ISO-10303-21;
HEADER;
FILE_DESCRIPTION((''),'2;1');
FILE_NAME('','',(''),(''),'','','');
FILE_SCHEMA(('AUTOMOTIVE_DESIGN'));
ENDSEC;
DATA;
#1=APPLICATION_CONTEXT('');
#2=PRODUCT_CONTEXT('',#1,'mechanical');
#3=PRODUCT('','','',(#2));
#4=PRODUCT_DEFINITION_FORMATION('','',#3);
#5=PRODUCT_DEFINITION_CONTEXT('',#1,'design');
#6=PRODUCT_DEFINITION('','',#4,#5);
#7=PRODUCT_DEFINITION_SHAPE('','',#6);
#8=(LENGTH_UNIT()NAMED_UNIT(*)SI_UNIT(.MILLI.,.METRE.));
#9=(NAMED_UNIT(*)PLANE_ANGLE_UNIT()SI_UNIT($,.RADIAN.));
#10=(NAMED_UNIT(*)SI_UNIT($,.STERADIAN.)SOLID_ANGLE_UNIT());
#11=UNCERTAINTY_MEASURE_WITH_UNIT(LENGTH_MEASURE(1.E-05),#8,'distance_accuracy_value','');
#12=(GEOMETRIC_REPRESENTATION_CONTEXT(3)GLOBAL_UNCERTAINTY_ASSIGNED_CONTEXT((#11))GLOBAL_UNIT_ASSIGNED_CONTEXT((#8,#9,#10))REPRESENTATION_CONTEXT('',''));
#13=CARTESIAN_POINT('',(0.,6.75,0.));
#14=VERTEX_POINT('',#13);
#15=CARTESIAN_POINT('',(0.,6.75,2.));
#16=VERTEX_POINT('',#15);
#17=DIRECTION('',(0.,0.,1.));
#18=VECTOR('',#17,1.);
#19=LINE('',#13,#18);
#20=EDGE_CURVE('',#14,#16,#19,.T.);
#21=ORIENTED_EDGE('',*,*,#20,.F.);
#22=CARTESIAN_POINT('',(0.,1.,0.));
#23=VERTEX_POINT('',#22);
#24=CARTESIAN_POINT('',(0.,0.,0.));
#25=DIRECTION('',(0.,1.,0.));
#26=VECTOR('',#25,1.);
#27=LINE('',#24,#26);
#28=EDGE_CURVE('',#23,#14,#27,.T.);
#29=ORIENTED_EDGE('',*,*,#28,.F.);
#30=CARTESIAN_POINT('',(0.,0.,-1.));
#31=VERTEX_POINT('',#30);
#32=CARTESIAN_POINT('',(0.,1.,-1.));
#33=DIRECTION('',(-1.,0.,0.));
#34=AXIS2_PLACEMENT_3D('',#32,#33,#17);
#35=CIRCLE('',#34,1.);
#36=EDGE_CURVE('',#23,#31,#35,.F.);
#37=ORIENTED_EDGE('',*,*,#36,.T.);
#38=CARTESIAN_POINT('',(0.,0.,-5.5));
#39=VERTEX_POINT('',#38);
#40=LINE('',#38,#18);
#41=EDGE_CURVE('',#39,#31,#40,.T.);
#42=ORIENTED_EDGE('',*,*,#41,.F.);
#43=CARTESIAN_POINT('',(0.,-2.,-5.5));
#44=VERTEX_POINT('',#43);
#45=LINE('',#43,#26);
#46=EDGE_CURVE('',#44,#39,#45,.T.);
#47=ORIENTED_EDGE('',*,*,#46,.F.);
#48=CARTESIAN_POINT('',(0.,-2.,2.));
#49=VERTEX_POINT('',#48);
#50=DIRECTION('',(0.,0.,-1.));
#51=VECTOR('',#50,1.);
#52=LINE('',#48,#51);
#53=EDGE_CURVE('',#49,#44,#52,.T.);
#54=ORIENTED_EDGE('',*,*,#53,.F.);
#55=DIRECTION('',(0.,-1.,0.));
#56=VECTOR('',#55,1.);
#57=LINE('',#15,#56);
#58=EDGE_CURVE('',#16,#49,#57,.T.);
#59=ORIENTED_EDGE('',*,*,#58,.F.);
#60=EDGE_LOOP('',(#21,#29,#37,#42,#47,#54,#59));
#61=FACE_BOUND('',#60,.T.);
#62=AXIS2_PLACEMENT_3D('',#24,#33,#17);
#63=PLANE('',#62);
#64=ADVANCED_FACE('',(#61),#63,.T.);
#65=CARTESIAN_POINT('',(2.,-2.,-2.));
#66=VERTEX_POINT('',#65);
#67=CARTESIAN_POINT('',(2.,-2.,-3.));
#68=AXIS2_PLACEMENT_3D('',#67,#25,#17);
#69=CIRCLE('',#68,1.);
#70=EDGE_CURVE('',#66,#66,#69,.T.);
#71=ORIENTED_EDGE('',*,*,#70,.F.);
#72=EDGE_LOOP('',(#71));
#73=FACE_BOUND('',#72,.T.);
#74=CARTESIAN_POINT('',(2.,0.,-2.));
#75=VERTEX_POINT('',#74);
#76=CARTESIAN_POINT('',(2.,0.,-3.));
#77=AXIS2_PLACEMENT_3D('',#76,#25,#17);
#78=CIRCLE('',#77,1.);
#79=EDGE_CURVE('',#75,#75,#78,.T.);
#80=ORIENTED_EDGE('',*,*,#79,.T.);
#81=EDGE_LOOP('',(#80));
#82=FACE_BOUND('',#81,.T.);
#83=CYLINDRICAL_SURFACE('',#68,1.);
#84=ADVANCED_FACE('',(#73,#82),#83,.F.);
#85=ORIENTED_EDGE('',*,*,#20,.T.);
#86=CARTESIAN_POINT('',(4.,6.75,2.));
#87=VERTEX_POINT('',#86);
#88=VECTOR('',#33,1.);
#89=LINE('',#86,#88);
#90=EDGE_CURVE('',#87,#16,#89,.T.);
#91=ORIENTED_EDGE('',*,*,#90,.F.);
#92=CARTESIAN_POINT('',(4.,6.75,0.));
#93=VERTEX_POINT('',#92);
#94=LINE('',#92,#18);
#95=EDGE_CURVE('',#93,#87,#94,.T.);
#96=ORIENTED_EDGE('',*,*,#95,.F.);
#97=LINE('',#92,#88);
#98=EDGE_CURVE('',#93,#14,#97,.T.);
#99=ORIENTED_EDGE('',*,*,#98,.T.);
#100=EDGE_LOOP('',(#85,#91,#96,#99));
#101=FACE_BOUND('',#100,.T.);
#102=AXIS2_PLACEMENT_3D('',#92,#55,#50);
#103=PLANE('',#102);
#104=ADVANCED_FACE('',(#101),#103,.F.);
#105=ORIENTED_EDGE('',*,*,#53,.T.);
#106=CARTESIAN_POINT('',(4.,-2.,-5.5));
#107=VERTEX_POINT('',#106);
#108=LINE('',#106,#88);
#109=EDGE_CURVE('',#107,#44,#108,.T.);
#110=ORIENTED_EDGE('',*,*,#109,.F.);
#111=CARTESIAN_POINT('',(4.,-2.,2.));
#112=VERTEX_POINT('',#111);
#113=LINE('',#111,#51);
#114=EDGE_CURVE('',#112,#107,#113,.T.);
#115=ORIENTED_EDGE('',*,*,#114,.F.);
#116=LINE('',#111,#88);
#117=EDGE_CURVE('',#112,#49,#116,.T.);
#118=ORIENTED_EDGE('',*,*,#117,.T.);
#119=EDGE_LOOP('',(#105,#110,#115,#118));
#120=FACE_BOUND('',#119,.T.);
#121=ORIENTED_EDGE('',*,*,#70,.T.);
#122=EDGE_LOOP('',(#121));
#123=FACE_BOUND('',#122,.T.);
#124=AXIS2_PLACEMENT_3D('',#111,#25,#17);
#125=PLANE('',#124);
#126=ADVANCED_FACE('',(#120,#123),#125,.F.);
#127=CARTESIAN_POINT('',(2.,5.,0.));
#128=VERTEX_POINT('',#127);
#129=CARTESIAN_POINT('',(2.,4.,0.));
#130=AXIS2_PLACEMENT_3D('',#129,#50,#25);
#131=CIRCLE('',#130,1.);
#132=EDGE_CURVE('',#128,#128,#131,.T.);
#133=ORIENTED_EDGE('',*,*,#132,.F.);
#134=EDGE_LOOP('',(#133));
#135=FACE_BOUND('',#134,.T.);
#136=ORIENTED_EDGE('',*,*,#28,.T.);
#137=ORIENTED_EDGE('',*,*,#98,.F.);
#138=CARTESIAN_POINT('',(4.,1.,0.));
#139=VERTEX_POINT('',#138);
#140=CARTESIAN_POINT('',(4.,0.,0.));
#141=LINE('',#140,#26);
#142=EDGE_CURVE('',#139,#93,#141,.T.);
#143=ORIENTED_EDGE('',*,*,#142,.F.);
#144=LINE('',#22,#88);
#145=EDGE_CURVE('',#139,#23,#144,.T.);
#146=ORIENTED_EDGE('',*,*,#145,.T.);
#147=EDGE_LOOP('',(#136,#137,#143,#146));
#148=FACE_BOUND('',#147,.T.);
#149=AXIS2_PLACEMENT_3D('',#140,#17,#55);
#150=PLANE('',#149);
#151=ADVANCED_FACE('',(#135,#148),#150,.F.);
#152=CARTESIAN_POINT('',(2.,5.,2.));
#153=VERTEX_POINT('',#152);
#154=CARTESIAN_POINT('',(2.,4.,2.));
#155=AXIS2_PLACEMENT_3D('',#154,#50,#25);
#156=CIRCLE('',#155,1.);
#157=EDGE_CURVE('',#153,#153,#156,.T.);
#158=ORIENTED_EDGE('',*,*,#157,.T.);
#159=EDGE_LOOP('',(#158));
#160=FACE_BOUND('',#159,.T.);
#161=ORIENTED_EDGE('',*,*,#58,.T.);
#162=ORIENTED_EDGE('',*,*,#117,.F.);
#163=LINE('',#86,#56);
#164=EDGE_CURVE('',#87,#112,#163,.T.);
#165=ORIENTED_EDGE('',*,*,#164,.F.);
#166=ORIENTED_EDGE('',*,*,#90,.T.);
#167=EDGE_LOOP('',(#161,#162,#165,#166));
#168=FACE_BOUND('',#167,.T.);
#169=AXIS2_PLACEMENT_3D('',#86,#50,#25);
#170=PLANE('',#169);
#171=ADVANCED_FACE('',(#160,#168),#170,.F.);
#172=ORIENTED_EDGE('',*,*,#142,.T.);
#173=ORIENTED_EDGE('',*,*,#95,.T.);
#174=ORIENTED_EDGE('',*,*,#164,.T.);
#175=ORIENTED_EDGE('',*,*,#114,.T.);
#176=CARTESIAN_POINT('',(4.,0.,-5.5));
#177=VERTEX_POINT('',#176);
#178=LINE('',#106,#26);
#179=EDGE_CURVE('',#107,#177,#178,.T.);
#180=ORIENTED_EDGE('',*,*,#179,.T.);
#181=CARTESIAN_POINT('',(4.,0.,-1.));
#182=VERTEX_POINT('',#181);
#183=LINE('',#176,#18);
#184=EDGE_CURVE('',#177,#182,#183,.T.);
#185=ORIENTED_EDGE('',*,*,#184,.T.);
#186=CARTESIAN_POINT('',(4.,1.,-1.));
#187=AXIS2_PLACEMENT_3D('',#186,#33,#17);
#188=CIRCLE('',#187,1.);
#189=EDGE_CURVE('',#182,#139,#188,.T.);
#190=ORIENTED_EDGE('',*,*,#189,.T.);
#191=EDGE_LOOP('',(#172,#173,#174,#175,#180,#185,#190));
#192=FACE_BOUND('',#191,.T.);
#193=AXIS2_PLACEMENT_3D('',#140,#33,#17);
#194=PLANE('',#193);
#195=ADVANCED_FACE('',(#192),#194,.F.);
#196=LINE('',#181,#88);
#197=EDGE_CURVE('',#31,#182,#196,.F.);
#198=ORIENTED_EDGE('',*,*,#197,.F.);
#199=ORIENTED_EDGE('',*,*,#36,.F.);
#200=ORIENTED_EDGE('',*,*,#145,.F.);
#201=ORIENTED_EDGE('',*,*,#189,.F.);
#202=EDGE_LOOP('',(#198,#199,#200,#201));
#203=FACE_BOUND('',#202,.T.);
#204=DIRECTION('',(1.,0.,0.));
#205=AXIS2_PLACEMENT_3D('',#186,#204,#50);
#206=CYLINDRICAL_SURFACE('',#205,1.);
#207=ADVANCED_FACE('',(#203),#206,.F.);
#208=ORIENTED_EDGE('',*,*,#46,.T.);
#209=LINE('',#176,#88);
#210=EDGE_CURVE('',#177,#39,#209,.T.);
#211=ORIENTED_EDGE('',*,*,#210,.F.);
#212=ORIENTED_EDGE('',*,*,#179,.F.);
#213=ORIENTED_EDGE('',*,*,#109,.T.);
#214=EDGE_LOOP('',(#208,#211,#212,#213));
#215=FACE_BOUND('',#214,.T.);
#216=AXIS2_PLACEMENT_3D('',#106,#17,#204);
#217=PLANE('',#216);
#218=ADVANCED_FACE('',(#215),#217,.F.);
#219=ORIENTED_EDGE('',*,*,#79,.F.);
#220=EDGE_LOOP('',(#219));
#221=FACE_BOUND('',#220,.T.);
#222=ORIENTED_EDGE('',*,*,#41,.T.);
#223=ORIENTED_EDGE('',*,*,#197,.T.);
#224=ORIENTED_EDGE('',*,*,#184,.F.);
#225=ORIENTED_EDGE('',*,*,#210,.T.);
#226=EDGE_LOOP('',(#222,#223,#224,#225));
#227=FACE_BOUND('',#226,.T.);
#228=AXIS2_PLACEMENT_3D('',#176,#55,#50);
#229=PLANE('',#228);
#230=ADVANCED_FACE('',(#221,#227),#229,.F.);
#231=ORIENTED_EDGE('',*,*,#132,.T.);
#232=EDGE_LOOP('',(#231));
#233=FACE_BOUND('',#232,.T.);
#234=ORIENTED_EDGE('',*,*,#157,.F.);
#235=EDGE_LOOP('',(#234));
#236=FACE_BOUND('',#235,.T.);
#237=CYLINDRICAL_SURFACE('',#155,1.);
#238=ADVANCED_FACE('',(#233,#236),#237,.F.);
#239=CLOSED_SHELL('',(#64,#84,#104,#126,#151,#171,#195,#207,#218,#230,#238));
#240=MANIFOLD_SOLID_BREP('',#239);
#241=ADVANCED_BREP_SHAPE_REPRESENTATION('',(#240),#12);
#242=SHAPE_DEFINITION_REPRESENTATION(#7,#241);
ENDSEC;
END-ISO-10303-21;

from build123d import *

# Parameters (mm, degrees)
BOSS_EXTRUDE1_DEPTH = 4
SKETCH2_R           = 1
CUT_EXTRUDE1_DEPTH  = 10.581883948
SKETCH3_R           = 1
CUT_EXTRUDE2_DEPTH  = 10.581883948
FILLET1_R           = 1


with BuildPart() as part:
    # Sketch1 → Boss-Extrude1 (new body)
    with BuildSketch(Plane(origin=(0, 0, 0), x_dir=(0, 0, -1), z_dir=(1, 0, 0))):
        Polygon((0, 0), (0, 6.75), (-2, 6.75), (-2, -2), (5.5, -2), (5.5, 0), align=None)
    extrude(amount=BOSS_EXTRUDE1_DEPTH)

    # Sketch2 → Cut-Extrude1 (cut, through all)
    with BuildSketch(Plane(origin=(0, 0, 0), x_dir=(-1, 0, 0), z_dir=(0, 0, -1))):
        with Locations(Location((-2, 4, 0), (0, 0, 90))):
            Circle(SKETCH2_R)
    extrude(amount=-CUT_EXTRUDE1_DEPTH, mode=Mode.SUBTRACT)

    # Sketch3 → Cut-Extrude2 (cut, through all)
    with BuildSketch(Plane(origin=(0, 0, 0), x_dir=(1, 0, 0), z_dir=(0, 1, 0))):
        with Locations(Location((2, 3, 0), (0, 0, 270))):
            Circle(SKETCH3_R)
    extrude(amount=-CUT_EXTRUDE2_DEPTH, mode=Mode.SUBTRACT)

    # Fillet1
    fillet1_edges = [part.edges().sort_by_distance(p)[0] for p in [
        (2, 0, 0),
    ]]
    fillet(fillet1_edges, radius=FILLET1_R)


solid = part.part
